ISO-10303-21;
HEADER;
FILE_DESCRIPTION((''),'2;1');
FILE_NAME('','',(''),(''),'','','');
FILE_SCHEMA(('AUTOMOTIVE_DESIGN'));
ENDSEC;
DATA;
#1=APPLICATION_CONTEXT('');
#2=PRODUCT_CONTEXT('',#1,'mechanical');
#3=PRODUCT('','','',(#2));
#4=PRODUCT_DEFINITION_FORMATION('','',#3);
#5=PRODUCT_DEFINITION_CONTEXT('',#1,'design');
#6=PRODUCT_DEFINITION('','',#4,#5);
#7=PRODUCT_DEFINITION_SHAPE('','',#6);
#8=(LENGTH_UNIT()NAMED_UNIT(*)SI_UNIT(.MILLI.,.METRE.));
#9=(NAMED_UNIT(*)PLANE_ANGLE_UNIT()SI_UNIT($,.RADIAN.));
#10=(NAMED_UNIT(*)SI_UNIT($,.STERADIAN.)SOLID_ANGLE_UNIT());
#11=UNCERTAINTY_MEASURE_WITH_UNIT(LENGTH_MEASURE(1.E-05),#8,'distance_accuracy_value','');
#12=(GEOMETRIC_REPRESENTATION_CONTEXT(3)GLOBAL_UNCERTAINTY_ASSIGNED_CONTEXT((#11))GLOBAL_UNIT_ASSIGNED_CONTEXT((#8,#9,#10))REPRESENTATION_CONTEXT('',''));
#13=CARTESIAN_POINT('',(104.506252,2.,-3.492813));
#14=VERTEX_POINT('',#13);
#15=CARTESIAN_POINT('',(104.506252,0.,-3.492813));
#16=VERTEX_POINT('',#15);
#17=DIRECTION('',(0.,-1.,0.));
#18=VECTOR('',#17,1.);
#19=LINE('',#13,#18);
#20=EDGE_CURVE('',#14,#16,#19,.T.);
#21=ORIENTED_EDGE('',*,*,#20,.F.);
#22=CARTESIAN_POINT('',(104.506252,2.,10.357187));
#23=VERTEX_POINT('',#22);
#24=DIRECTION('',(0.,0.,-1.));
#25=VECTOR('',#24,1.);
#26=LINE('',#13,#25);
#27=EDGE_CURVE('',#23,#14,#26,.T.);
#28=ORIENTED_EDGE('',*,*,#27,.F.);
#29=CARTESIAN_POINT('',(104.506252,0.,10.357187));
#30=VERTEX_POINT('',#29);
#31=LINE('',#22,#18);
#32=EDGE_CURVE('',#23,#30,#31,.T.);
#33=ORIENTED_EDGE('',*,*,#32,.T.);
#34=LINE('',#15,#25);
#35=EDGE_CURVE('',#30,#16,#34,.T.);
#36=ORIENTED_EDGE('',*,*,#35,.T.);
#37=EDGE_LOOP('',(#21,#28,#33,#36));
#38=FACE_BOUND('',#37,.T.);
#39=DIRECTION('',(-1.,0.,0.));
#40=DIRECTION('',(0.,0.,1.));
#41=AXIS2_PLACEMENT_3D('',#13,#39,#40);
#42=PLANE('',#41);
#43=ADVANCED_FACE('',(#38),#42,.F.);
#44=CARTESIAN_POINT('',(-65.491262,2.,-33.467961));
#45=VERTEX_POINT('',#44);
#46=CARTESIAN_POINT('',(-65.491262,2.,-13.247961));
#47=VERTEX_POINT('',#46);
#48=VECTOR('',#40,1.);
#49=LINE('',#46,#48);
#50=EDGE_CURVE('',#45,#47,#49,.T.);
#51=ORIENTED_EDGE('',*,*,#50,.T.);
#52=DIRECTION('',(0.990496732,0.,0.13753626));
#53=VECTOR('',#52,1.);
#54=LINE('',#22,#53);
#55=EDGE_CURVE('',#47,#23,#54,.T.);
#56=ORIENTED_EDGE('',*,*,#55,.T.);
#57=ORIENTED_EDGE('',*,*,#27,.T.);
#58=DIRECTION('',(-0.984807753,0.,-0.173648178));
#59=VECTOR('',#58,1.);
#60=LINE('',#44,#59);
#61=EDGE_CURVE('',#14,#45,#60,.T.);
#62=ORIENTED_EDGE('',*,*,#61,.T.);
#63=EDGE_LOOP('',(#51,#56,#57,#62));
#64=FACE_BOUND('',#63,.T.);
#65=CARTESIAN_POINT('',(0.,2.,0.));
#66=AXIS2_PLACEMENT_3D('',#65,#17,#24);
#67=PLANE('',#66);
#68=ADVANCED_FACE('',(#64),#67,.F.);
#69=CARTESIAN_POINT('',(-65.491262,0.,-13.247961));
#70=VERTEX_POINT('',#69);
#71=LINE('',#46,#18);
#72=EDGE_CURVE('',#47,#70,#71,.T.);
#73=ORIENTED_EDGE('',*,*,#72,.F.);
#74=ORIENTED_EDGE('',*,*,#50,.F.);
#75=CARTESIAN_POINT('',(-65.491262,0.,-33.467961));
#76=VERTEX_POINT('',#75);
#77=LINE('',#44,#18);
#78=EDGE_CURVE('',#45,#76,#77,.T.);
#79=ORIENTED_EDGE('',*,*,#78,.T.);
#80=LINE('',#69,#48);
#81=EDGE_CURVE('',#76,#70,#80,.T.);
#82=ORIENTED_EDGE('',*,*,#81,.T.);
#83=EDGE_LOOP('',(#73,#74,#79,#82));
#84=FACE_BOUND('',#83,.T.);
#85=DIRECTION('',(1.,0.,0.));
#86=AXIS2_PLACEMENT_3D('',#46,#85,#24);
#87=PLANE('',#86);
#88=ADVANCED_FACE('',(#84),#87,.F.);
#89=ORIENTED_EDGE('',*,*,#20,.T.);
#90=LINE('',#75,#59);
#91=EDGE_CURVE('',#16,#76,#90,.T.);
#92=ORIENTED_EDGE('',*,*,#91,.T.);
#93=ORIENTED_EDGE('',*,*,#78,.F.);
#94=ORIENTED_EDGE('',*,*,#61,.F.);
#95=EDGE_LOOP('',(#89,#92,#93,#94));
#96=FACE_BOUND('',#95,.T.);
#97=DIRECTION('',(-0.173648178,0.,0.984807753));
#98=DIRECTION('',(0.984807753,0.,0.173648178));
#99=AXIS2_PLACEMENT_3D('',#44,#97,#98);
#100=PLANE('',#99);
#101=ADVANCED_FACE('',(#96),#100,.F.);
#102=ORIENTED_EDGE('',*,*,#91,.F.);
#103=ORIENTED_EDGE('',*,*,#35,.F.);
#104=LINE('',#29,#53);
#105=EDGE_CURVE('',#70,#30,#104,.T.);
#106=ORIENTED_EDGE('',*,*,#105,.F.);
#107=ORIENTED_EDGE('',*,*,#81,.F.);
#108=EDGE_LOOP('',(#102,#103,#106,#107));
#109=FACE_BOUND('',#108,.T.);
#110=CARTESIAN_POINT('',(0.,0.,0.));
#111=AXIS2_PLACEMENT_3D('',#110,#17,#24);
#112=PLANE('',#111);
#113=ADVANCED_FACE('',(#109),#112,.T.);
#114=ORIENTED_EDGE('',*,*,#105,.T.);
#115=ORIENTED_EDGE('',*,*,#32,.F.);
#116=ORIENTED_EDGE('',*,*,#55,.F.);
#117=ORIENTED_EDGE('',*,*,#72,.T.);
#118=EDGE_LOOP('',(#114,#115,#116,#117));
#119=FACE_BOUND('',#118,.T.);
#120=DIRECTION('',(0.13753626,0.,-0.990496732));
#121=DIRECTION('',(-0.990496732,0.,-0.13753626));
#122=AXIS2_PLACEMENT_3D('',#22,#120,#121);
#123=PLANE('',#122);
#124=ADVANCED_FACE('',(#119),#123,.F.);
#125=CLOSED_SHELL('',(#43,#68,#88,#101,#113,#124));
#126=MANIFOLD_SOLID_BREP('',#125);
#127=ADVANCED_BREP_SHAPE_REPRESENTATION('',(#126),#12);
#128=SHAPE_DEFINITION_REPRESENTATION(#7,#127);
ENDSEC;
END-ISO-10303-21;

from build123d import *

# Parameters (mm, degrees)
BOSS_EXTRUDE1_DEPTH = 2


with BuildPart() as part:
    # Sketch1 → Boss-Extrude1 (new body)
    with BuildSketch(Plane(origin=(0, 0, 0), x_dir=(1, 0, 0), z_dir=(0, 1, 0))):
        Polygon((-65.491262136, 13.247961165), (-65.491262136, 33.467961165), (104.506252189, 3.492812736), (104.506252189, -10.357187264), align=None)
    extrude(amount=BOSS_EXTRUDE1_DEPTH)


solid = part.part
